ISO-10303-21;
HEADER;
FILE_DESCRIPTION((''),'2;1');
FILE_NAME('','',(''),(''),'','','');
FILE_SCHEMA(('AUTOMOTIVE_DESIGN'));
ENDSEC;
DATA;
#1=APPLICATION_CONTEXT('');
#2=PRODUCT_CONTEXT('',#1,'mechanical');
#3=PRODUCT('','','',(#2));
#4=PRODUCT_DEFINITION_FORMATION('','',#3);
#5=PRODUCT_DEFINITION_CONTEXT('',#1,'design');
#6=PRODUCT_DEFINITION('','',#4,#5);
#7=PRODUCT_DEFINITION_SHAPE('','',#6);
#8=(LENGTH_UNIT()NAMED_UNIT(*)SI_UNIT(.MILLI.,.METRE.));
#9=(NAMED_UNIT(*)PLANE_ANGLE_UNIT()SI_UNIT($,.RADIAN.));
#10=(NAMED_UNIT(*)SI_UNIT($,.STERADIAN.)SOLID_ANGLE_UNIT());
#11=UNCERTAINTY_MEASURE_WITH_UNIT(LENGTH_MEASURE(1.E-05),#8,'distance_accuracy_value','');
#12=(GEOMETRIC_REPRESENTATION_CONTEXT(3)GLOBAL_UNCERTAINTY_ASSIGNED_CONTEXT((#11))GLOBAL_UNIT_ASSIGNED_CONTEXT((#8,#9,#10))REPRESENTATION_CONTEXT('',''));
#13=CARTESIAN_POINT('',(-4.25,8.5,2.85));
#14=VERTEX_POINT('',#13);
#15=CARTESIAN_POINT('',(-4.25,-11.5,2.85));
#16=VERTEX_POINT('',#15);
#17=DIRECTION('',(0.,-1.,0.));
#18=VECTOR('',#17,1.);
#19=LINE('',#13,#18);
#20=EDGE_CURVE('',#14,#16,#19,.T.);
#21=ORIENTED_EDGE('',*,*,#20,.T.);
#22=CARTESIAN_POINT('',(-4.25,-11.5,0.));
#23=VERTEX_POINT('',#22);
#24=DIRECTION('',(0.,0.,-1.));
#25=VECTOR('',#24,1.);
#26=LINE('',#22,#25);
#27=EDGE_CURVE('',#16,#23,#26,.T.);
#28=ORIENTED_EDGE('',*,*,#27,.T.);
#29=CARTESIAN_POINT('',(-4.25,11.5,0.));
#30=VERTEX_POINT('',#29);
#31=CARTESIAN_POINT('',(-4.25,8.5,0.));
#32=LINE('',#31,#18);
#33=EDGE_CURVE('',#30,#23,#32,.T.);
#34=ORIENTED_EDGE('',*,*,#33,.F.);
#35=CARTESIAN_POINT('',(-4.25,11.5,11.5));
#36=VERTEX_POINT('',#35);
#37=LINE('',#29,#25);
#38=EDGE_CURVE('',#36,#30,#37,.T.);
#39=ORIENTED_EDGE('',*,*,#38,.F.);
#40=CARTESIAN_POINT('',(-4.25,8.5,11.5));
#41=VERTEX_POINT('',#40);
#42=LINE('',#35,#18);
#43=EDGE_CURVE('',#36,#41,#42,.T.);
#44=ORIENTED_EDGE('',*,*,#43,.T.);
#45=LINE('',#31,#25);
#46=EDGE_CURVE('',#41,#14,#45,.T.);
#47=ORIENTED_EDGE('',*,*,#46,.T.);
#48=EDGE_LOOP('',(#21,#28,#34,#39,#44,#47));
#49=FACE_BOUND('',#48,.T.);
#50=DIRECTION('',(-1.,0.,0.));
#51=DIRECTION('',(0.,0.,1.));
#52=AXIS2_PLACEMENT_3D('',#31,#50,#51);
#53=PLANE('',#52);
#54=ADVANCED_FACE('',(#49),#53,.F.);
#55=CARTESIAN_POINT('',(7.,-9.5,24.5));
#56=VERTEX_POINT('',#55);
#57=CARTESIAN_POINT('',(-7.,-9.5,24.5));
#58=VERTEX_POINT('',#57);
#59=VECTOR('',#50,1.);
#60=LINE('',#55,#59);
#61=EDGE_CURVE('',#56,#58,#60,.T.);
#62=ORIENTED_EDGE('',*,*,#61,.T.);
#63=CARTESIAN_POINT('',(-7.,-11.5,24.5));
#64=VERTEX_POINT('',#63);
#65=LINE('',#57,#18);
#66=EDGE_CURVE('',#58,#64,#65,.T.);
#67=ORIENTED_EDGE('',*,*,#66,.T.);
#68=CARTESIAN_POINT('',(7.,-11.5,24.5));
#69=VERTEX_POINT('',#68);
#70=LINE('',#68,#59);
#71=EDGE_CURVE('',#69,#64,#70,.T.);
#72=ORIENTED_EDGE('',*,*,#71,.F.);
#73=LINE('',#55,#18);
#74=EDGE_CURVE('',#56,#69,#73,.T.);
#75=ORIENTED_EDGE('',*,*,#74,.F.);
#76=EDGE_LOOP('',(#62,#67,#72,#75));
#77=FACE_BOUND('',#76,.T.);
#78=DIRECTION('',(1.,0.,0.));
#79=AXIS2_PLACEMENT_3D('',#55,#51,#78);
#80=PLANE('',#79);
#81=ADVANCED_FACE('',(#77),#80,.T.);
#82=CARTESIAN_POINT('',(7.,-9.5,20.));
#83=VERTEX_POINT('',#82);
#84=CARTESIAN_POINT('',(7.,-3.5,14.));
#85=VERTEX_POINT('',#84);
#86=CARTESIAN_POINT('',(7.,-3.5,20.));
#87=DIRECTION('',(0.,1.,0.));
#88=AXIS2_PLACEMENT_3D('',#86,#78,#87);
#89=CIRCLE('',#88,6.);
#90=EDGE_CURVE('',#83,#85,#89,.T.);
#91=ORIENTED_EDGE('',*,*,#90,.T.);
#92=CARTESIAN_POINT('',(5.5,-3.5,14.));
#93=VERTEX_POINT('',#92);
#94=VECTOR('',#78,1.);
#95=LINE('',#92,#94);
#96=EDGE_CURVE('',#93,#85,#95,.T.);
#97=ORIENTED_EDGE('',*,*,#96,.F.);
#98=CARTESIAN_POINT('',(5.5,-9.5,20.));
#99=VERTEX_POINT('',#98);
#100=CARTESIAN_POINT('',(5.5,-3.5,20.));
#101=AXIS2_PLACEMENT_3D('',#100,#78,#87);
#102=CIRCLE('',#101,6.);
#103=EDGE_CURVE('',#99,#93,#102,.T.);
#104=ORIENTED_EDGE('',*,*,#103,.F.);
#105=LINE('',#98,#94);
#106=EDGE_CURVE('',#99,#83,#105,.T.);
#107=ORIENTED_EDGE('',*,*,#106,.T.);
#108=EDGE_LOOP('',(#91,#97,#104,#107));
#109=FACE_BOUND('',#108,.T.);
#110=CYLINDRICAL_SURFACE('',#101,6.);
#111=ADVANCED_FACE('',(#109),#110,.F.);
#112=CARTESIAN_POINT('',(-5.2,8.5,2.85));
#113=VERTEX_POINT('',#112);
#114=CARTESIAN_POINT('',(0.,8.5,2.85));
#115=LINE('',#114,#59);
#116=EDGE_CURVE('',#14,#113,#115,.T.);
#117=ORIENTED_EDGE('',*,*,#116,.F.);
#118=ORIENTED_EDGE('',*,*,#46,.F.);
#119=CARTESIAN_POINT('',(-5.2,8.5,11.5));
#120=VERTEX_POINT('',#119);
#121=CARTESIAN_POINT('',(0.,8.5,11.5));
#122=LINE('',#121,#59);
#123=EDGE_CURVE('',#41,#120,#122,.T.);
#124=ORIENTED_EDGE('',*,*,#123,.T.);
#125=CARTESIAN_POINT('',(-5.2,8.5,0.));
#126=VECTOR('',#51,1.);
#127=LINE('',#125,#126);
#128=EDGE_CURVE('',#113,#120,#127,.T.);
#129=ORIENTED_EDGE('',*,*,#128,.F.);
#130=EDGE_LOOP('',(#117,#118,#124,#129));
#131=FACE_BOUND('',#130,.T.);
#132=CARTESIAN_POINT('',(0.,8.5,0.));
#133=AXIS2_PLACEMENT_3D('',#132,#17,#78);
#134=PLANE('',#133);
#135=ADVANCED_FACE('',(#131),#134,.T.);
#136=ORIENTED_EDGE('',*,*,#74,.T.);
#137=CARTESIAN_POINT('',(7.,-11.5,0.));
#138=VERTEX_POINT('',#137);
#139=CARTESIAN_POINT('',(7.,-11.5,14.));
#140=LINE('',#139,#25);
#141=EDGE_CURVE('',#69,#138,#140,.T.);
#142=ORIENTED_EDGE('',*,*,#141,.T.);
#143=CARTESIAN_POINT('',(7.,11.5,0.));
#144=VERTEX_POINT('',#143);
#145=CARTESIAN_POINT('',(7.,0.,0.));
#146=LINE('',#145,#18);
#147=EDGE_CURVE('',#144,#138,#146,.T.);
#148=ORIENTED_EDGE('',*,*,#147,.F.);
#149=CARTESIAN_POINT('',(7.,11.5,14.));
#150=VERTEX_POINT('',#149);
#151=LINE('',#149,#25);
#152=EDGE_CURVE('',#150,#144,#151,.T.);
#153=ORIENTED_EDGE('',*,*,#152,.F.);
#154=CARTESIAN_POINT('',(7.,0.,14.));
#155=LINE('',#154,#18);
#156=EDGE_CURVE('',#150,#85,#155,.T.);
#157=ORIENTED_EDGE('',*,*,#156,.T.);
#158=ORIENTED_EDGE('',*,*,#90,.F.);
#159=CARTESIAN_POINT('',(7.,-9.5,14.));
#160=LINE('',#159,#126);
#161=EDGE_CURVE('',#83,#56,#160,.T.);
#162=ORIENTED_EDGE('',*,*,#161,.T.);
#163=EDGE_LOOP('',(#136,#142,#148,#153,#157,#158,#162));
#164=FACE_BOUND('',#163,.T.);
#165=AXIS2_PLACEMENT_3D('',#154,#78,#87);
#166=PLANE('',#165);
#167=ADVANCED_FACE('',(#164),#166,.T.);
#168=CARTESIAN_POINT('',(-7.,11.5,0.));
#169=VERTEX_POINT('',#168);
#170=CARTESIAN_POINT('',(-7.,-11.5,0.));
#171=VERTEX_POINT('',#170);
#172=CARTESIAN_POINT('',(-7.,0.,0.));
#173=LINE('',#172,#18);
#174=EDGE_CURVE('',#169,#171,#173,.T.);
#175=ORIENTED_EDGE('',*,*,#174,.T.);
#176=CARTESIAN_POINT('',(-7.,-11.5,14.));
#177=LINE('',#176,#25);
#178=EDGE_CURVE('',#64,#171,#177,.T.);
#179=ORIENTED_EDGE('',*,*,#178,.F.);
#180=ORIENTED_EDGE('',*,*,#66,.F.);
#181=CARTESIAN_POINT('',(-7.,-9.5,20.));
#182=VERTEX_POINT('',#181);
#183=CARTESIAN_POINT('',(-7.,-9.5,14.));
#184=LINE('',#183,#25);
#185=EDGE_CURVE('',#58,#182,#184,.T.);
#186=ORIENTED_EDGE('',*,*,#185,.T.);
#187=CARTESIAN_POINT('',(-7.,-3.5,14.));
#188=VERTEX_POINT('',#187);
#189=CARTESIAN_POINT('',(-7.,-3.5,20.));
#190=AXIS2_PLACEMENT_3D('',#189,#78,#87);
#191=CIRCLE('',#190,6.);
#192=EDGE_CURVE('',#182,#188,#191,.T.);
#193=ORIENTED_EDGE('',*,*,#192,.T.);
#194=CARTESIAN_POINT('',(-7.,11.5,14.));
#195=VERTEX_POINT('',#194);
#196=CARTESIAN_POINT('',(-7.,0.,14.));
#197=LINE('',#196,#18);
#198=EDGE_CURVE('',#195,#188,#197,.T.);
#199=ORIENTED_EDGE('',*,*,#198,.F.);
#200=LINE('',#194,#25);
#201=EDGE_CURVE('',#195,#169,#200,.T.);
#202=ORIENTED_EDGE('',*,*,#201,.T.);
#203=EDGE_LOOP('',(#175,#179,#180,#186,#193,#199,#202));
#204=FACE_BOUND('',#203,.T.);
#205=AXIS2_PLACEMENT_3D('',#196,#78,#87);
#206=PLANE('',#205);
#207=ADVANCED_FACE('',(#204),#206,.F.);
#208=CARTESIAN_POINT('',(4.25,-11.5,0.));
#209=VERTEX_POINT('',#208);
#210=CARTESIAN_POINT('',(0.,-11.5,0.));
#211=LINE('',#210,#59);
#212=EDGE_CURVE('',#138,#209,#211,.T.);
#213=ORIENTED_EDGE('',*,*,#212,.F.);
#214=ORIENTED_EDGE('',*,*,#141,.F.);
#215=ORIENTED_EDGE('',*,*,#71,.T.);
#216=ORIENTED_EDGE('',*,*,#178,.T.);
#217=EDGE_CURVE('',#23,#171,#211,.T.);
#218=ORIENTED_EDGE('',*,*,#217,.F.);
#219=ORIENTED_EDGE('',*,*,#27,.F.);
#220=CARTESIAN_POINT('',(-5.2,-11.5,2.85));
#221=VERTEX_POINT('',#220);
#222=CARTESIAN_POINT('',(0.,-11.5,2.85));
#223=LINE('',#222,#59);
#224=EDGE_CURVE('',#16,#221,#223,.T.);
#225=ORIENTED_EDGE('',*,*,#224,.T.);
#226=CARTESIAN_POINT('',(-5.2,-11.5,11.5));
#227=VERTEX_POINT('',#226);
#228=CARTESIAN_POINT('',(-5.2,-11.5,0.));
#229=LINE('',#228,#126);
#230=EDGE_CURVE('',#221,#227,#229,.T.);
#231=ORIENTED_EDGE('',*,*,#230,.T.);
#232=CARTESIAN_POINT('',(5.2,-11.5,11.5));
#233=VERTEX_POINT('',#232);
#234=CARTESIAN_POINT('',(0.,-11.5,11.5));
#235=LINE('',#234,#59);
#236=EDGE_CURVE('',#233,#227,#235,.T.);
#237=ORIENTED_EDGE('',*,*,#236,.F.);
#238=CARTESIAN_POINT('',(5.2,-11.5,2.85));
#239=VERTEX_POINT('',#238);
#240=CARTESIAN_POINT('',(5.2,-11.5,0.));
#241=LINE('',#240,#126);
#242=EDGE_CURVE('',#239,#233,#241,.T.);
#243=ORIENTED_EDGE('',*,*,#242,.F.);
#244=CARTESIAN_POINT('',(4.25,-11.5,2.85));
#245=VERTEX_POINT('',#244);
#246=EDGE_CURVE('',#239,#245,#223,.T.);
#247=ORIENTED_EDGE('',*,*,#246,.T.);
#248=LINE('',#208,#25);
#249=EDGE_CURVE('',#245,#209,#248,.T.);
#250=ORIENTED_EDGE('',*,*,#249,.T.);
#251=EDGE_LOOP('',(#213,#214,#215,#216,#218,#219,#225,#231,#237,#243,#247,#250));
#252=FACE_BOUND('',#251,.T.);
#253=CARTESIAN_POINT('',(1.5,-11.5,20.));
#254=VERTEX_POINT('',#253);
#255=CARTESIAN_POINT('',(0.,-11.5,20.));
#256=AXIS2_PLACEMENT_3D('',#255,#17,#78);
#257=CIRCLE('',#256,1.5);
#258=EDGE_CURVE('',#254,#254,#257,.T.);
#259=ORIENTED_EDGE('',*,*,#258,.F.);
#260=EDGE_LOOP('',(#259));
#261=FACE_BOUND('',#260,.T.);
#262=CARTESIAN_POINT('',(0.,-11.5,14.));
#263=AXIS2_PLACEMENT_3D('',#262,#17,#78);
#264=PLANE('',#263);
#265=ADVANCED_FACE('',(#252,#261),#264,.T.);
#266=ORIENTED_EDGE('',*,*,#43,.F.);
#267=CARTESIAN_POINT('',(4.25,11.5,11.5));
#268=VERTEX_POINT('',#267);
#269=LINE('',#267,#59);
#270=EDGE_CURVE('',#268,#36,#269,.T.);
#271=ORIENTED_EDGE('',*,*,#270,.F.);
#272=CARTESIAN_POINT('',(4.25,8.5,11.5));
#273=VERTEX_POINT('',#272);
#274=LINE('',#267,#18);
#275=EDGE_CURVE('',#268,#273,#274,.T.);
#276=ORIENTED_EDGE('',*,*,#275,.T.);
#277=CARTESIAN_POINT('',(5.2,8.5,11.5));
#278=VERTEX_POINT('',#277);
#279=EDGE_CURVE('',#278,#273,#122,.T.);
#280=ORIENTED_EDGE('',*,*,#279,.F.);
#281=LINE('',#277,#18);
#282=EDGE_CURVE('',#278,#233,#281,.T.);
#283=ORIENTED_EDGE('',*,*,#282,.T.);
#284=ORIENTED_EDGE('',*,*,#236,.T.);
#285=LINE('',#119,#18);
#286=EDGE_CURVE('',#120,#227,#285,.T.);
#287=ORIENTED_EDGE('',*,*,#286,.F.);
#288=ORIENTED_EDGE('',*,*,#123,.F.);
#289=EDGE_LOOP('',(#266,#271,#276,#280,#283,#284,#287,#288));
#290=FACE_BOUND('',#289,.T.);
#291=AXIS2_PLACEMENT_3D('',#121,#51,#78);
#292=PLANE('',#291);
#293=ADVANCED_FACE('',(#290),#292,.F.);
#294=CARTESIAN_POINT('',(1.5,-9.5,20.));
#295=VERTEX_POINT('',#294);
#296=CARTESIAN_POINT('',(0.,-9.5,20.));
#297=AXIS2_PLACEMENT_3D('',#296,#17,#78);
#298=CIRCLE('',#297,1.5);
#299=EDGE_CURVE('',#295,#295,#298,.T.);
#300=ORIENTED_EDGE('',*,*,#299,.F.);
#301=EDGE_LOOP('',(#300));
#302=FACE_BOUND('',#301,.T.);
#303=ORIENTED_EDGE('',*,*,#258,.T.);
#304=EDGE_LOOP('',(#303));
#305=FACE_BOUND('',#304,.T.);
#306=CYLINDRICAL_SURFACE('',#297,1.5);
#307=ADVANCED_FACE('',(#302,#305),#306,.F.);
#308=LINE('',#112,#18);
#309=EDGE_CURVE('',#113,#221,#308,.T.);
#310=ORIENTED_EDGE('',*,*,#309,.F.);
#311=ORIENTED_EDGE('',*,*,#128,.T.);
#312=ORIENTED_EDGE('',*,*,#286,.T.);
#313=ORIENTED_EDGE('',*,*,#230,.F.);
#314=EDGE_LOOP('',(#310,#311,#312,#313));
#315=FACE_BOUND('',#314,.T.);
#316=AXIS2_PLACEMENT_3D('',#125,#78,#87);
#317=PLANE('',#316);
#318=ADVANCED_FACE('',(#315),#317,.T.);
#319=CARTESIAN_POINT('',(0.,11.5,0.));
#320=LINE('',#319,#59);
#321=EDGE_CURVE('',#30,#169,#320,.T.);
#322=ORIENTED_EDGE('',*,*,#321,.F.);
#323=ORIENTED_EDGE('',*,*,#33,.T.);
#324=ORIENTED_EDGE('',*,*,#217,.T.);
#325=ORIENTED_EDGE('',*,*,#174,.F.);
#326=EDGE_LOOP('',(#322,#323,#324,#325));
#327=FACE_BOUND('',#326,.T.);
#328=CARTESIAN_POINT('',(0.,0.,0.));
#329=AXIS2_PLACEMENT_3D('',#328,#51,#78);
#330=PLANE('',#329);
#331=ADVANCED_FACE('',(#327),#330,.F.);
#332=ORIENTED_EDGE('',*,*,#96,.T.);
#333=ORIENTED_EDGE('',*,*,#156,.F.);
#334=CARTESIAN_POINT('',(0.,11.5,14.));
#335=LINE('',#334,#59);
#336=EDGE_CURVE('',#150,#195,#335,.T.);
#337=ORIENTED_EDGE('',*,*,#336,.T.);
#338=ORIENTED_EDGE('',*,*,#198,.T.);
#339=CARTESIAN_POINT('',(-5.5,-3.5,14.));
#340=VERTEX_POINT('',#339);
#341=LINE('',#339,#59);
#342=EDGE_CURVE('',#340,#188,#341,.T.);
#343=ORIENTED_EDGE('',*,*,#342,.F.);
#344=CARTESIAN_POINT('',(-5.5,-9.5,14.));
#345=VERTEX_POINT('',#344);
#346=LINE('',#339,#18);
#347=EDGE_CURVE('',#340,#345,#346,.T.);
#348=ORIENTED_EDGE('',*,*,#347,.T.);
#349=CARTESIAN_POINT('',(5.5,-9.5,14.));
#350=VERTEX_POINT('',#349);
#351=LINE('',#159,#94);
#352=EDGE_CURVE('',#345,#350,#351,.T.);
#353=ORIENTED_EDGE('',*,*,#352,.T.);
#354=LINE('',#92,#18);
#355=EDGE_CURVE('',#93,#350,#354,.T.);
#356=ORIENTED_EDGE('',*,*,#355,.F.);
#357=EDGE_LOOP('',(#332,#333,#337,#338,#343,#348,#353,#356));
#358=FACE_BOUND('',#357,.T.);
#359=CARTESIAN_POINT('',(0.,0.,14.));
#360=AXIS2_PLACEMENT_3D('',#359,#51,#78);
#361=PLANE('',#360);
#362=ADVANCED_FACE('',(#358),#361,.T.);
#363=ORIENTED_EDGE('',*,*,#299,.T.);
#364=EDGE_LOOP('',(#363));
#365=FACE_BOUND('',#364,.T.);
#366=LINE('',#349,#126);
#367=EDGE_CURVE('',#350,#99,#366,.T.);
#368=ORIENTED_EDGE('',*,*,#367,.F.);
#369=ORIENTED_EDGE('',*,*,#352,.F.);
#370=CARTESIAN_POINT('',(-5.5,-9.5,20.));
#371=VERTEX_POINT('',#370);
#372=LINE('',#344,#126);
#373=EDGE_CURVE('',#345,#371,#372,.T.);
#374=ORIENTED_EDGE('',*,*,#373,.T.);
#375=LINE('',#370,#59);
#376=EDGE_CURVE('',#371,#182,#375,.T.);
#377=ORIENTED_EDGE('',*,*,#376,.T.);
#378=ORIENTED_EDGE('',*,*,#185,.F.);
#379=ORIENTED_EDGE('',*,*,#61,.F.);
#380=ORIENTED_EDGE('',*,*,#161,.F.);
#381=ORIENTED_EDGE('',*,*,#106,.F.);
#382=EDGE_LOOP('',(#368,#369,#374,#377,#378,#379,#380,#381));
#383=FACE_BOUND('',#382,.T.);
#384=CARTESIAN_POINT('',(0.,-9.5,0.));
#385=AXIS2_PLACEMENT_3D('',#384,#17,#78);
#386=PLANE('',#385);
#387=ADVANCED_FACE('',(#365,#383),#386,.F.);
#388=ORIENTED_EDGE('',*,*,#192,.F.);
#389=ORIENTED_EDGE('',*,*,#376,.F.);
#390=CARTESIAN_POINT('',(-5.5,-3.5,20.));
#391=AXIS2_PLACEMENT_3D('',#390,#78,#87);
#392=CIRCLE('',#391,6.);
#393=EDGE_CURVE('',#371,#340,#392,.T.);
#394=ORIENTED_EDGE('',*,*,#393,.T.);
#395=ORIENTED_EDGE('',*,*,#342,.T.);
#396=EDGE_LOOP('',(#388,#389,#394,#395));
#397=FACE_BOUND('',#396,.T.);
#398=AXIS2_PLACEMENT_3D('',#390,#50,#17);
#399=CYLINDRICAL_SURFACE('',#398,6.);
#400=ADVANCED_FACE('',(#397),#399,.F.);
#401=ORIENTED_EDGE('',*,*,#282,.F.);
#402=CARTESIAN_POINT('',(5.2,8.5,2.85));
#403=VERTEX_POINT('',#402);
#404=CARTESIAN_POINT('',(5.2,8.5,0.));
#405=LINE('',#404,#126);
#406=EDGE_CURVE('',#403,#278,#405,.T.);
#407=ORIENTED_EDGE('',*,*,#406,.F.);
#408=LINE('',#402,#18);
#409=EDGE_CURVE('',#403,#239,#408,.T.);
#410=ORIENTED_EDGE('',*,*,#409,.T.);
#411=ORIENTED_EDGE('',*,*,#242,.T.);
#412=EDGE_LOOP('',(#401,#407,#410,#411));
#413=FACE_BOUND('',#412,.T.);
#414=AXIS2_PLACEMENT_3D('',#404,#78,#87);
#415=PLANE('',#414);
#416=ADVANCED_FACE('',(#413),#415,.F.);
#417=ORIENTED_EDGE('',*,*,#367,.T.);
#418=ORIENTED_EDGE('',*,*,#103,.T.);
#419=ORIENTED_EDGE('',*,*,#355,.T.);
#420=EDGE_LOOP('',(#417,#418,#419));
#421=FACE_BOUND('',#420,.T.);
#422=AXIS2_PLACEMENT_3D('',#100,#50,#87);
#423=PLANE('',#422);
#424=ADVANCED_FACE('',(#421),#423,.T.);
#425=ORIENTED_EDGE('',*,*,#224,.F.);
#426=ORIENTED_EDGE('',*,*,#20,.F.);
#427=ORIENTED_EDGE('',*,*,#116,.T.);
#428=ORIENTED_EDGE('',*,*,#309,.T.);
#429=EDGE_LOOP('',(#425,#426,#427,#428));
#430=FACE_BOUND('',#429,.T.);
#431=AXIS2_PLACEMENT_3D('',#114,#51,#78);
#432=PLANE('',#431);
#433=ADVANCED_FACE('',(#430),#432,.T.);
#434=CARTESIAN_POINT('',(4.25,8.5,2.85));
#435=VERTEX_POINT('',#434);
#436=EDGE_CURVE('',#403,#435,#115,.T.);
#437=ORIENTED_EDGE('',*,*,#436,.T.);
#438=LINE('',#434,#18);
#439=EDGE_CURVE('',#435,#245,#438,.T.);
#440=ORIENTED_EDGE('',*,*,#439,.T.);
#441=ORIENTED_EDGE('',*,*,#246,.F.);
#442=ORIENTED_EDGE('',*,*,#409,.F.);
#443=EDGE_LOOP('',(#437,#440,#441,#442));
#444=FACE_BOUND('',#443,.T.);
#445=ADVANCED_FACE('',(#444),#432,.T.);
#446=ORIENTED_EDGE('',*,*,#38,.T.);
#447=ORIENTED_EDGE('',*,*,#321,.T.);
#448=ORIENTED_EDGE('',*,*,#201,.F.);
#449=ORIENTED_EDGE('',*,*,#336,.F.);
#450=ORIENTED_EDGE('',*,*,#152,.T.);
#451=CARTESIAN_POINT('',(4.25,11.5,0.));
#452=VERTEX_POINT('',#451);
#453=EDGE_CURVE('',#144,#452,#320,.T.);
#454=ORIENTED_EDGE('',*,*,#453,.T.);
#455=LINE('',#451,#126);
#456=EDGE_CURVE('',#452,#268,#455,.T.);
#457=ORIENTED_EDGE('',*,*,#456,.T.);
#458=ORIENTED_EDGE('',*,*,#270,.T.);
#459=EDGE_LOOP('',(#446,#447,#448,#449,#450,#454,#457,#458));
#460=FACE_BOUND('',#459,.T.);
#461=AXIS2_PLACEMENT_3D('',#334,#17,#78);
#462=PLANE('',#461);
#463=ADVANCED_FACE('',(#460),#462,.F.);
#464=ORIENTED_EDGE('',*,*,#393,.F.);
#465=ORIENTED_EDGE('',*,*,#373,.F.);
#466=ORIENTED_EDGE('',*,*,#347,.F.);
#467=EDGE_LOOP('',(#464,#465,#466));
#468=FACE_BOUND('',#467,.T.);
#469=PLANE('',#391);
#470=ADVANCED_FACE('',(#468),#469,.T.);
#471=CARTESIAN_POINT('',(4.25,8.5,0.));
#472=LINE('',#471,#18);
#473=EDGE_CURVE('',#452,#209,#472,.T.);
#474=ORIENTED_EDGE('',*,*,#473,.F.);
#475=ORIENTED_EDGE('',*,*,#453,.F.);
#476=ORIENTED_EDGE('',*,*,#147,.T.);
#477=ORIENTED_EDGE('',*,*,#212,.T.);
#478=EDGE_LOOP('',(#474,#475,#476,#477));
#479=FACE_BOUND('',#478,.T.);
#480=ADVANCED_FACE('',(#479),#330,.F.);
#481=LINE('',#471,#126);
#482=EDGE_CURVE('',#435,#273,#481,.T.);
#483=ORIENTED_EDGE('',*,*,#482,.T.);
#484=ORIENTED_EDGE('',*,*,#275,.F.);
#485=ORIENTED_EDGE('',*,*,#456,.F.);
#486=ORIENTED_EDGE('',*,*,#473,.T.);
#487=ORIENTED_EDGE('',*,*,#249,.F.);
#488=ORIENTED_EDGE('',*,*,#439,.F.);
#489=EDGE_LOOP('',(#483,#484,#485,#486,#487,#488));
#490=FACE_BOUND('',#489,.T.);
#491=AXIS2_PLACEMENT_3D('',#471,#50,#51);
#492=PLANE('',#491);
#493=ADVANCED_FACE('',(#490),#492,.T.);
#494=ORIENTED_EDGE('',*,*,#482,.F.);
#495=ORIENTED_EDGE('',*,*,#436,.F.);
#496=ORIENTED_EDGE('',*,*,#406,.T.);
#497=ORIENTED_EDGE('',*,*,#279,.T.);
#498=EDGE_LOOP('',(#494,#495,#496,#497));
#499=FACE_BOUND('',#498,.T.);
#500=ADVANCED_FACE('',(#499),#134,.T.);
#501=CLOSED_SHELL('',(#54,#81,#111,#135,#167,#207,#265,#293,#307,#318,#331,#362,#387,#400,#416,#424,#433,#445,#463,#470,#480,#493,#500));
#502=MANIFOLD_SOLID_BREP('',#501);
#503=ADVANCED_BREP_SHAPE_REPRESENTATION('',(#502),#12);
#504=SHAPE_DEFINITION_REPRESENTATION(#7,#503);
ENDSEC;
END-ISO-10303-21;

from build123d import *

# Parameters (mm, degrees)
SKETCH1_W           = 14
SKETCH1_H           = 23
BOSS_EXTRUDE1_DEPTH = 14
SKETCH2_W           = 10.4
SKETCH2_H           = 8.65
SKETCH2_W_2         = 8.5
SKETCH2_H_2         = 2.85
CUT_EXTRUDE1_DEPTH  = 20
SKETCH3_W           = 14
SKETCH3_H           = 10.5
SKETCH3_R           = 1.5
BOSS_EXTRUDE2_DEPTH = 2
BOSS_EXTRUDE3_DEPTH = 1.5
SKETCH5_W           = 8.5
SKETCH5_H           = 11.5
CUT_EXTRUDE2_DEPTH  = 4


with BuildPart() as part:
    # Sketch1 → Boss-Extrude1 (new body)
    with BuildSketch(Plane.XY):
        Rectangle(SKETCH1_W, SKETCH1_H)
    extrude(amount=BOSS_EXTRUDE1_DEPTH)

    # Sketch2 → Cut-Extrude1 (cut)
    with BuildSketch(Plane.XZ.offset(11.5)):
        with Locations((0, 7.175)):
            Rectangle(SKETCH2_W, SKETCH2_H)
        with Locations((0, 1.425)):
            Rectangle(SKETCH2_W_2, SKETCH2_H_2)
    extrude(amount=-CUT_EXTRUDE1_DEPTH, mode=Mode.SUBTRACT)

    # Sketch3 → Boss-Extrude2 (add)
    with BuildSketch(Plane.XZ.offset(11.5)):
        with Locations((0, 19.25)):
            Rectangle(SKETCH3_W, SKETCH3_H)
        with Locations((0, 20)):
            Circle(SKETCH3_R, mode=Mode.SUBTRACT)
    extrude(amount=-BOSS_EXTRUDE2_DEPTH)

    # Sketch4 → Boss-Extrude3 (add)
    with BuildSketch(Plane.ZY.offset(7)):
        with BuildLine():
            Line((14, -3.5), (14, -9.5))
            Line((14, -9.5), (20, -9.5))
            ThreePointArc((20, -9.5), (15.757359313, -7.742640687), (14, -3.5))
        make_face()
    boss_extrude3 = extrude(amount=-BOSS_EXTRUDE3_DEPTH)

    # Mirror1: Boss-Extrude3 across plane
    add(boss_extrude3.mirror(Plane(origin=(0, 0, 0), x_dir=(0, 0, 1), z_dir=(1, 0, 0))))

    # Sketch5 → Cut-Extrude2 (cut, through all)
    with BuildSketch(Plane.XZ.offset(-8.5)):
        with Locations((0, 5.75)):
            Rectangle(SKETCH5_W, SKETCH5_H)
    extrude(amount=-CUT_EXTRUDE2_DEPTH, mode=Mode.SUBTRACT)


solid = part.part
